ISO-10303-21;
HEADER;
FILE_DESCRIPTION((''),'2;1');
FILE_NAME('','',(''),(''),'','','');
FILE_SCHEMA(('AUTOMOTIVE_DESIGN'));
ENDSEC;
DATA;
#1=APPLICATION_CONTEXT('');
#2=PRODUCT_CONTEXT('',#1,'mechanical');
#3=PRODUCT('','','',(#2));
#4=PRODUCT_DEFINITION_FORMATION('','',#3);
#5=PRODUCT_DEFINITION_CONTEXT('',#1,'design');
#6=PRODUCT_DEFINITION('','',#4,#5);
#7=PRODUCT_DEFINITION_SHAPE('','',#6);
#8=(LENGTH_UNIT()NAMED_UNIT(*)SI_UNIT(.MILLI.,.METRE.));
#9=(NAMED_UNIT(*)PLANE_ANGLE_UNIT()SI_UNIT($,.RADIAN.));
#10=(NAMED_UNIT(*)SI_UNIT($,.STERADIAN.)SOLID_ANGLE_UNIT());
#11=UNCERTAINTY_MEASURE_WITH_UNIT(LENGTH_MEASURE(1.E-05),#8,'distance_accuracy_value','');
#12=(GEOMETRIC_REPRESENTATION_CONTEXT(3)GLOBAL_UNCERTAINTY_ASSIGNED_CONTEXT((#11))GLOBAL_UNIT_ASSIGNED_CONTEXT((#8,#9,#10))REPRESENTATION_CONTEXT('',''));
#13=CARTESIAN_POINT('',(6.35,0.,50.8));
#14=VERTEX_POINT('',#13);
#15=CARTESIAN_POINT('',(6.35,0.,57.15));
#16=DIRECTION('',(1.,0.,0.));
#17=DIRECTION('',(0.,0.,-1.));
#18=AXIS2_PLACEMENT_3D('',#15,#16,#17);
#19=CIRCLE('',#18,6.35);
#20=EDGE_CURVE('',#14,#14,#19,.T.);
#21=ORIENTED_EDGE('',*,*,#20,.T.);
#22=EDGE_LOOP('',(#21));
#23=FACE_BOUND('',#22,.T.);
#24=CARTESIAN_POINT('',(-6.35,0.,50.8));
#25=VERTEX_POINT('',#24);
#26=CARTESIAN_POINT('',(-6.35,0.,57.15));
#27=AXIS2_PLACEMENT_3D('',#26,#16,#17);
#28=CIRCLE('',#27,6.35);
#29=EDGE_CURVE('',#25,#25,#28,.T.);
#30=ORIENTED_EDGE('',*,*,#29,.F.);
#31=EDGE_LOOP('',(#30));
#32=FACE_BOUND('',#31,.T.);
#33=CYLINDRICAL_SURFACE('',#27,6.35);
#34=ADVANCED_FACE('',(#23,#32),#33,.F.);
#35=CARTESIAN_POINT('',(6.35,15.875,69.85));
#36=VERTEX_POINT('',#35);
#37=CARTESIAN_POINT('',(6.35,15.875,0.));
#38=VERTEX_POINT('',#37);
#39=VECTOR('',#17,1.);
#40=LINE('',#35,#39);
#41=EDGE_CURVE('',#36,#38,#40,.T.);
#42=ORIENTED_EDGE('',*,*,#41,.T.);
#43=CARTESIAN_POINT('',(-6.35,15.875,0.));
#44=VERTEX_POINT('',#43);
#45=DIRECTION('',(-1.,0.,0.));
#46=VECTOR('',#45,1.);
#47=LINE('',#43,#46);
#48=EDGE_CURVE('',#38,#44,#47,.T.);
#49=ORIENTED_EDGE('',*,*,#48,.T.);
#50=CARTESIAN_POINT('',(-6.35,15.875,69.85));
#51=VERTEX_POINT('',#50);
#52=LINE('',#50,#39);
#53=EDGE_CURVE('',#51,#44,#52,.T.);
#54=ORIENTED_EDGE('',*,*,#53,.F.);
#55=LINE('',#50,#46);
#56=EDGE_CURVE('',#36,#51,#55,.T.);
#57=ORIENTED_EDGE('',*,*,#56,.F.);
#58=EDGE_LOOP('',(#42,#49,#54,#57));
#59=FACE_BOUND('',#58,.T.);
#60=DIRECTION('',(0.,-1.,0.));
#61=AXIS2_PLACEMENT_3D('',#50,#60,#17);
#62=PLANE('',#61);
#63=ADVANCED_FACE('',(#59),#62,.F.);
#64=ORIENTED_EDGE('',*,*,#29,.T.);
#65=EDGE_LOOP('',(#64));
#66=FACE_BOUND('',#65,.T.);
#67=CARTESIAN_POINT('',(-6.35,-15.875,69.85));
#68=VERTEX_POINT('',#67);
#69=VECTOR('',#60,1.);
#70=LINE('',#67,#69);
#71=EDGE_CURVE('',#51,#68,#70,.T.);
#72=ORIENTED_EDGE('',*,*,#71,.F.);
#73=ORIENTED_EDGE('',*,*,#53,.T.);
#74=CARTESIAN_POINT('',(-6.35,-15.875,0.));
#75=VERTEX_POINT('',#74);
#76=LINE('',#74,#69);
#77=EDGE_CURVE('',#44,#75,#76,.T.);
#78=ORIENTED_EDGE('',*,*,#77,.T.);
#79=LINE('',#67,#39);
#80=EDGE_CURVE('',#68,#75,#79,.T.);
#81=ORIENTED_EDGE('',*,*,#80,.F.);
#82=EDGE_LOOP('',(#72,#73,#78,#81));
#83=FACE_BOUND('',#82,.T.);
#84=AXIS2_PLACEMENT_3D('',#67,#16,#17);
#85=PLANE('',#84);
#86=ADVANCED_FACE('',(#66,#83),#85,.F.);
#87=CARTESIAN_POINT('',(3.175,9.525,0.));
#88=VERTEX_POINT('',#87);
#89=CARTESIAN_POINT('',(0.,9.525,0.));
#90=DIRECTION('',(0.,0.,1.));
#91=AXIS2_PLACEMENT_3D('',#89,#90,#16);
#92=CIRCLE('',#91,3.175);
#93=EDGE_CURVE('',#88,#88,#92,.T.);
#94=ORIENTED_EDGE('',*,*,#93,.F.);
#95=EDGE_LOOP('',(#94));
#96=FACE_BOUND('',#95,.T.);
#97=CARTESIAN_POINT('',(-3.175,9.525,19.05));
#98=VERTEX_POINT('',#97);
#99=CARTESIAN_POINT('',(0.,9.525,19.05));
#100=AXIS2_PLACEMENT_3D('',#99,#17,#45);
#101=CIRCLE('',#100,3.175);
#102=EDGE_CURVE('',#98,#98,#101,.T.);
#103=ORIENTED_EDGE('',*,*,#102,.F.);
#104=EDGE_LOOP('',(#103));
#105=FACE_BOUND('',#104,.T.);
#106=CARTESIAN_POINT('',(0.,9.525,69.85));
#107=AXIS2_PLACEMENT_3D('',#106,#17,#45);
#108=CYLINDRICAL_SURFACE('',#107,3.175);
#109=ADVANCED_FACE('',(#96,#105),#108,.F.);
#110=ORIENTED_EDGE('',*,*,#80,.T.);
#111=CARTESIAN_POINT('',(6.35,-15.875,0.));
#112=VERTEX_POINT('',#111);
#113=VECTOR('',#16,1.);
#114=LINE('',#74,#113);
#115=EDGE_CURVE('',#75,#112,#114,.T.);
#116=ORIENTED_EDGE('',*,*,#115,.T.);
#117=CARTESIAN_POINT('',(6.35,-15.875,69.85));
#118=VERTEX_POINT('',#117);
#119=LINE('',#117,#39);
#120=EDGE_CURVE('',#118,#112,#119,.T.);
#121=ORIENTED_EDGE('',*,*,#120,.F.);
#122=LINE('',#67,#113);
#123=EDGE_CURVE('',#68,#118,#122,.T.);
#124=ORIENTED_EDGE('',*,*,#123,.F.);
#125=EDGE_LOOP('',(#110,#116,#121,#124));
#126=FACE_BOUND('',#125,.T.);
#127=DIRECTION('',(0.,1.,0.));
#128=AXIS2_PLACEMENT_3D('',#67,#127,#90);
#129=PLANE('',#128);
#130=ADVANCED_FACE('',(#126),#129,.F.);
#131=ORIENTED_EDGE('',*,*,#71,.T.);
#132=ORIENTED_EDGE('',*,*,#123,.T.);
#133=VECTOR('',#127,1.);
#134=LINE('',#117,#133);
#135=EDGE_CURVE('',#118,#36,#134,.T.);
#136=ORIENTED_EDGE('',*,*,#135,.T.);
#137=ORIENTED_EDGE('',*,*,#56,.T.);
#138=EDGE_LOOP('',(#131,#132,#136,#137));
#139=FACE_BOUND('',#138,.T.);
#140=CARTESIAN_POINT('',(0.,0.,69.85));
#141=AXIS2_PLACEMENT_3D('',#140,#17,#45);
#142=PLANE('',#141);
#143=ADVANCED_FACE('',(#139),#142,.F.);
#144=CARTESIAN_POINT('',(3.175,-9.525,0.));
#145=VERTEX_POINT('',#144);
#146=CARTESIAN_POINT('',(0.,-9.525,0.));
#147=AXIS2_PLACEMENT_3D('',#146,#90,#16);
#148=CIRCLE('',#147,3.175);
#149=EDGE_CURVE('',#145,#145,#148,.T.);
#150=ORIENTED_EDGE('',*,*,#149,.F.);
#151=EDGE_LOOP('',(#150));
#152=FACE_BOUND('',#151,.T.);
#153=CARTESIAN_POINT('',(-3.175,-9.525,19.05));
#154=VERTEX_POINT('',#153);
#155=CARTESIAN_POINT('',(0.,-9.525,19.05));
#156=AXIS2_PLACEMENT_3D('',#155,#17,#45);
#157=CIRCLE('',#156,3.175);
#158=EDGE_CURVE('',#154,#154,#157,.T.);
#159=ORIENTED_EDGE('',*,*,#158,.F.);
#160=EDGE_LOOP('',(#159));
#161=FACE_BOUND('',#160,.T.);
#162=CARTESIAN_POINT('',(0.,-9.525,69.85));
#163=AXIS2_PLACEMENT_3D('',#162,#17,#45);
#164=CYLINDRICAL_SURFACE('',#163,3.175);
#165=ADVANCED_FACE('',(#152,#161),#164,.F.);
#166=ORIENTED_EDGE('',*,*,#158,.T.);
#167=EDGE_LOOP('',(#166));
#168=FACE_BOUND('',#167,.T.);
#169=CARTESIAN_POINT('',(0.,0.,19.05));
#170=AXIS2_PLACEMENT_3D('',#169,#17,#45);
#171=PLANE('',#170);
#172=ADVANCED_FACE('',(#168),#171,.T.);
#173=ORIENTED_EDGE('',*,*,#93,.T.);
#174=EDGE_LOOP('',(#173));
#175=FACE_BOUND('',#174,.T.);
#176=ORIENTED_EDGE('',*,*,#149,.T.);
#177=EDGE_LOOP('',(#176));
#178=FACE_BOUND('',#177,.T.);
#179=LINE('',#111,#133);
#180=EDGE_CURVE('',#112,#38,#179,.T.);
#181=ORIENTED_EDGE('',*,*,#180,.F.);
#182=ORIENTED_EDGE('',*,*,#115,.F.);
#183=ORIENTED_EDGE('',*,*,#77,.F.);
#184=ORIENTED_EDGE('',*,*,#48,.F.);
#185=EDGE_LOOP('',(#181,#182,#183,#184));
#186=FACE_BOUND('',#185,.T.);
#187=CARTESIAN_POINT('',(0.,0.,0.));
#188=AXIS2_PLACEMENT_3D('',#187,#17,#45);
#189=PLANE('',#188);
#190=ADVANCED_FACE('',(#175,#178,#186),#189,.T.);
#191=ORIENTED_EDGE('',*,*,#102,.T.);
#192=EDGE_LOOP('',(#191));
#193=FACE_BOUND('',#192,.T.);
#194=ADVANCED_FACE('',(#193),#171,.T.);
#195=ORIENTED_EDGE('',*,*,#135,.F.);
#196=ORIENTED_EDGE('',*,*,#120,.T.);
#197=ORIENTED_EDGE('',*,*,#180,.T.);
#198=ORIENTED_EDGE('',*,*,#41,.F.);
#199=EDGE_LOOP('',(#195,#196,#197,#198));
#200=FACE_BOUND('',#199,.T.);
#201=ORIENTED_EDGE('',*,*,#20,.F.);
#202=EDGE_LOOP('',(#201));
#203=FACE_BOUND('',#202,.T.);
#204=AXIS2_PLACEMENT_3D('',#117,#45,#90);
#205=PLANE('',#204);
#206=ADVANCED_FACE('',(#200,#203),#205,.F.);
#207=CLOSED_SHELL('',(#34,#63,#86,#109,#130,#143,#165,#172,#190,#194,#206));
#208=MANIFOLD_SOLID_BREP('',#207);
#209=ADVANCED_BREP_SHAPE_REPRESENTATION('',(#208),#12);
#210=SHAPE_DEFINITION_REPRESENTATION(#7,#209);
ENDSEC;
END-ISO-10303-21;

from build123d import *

# Parameters (mm, degrees)
SKETCH1_W           = 12.7
SKETCH1_H           = 31.75
SKETCH1_R           = 3.175
BOSS_EXTRUDE1_DEPTH = 69.85
SKETCH2_R           = 3.175
BOSS_EXTRUDE2_DEPTH = 50.8
SKETCH3_R           = 6.35
CUT_EXTRUDE1_DEPTH  = 13.7


with BuildPart() as part:
    # Sketch1 → Boss-Extrude1 (new body)
    with BuildSketch(Plane.XY):
        Rectangle(SKETCH1_W, SKETCH1_H)
        with Locations((0, 9.525)):
            Circle(SKETCH1_R, mode=Mode.SUBTRACT)
        with Locations((0, -9.525)):
            Circle(SKETCH1_R, mode=Mode.SUBTRACT)
    extrude(amount=BOSS_EXTRUDE1_DEPTH)

    # Sketch2 → Boss-Extrude2 (add)
    with BuildSketch(Plane.XY.offset(69.85)):
        with Locations((0, -9.525)):
            Circle(SKETCH2_R)
        with Locations((0, 9.525)):
            Circle(SKETCH2_R)
    extrude(amount=-BOSS_EXTRUDE2_DEPTH)

    # Sketch3 → Cut-Extrude1 (cut, through all)
    with BuildSketch(Plane(origin=(6.35, 0, 0), x_dir=(0, 0, -1), z_dir=(1, 0, 0))):
        with Locations((-57.15, 0)):
            Circle(SKETCH3_R)
    extrude(amount=-CUT_EXTRUDE1_DEPTH, mode=Mode.SUBTRACT)


solid = part.part
